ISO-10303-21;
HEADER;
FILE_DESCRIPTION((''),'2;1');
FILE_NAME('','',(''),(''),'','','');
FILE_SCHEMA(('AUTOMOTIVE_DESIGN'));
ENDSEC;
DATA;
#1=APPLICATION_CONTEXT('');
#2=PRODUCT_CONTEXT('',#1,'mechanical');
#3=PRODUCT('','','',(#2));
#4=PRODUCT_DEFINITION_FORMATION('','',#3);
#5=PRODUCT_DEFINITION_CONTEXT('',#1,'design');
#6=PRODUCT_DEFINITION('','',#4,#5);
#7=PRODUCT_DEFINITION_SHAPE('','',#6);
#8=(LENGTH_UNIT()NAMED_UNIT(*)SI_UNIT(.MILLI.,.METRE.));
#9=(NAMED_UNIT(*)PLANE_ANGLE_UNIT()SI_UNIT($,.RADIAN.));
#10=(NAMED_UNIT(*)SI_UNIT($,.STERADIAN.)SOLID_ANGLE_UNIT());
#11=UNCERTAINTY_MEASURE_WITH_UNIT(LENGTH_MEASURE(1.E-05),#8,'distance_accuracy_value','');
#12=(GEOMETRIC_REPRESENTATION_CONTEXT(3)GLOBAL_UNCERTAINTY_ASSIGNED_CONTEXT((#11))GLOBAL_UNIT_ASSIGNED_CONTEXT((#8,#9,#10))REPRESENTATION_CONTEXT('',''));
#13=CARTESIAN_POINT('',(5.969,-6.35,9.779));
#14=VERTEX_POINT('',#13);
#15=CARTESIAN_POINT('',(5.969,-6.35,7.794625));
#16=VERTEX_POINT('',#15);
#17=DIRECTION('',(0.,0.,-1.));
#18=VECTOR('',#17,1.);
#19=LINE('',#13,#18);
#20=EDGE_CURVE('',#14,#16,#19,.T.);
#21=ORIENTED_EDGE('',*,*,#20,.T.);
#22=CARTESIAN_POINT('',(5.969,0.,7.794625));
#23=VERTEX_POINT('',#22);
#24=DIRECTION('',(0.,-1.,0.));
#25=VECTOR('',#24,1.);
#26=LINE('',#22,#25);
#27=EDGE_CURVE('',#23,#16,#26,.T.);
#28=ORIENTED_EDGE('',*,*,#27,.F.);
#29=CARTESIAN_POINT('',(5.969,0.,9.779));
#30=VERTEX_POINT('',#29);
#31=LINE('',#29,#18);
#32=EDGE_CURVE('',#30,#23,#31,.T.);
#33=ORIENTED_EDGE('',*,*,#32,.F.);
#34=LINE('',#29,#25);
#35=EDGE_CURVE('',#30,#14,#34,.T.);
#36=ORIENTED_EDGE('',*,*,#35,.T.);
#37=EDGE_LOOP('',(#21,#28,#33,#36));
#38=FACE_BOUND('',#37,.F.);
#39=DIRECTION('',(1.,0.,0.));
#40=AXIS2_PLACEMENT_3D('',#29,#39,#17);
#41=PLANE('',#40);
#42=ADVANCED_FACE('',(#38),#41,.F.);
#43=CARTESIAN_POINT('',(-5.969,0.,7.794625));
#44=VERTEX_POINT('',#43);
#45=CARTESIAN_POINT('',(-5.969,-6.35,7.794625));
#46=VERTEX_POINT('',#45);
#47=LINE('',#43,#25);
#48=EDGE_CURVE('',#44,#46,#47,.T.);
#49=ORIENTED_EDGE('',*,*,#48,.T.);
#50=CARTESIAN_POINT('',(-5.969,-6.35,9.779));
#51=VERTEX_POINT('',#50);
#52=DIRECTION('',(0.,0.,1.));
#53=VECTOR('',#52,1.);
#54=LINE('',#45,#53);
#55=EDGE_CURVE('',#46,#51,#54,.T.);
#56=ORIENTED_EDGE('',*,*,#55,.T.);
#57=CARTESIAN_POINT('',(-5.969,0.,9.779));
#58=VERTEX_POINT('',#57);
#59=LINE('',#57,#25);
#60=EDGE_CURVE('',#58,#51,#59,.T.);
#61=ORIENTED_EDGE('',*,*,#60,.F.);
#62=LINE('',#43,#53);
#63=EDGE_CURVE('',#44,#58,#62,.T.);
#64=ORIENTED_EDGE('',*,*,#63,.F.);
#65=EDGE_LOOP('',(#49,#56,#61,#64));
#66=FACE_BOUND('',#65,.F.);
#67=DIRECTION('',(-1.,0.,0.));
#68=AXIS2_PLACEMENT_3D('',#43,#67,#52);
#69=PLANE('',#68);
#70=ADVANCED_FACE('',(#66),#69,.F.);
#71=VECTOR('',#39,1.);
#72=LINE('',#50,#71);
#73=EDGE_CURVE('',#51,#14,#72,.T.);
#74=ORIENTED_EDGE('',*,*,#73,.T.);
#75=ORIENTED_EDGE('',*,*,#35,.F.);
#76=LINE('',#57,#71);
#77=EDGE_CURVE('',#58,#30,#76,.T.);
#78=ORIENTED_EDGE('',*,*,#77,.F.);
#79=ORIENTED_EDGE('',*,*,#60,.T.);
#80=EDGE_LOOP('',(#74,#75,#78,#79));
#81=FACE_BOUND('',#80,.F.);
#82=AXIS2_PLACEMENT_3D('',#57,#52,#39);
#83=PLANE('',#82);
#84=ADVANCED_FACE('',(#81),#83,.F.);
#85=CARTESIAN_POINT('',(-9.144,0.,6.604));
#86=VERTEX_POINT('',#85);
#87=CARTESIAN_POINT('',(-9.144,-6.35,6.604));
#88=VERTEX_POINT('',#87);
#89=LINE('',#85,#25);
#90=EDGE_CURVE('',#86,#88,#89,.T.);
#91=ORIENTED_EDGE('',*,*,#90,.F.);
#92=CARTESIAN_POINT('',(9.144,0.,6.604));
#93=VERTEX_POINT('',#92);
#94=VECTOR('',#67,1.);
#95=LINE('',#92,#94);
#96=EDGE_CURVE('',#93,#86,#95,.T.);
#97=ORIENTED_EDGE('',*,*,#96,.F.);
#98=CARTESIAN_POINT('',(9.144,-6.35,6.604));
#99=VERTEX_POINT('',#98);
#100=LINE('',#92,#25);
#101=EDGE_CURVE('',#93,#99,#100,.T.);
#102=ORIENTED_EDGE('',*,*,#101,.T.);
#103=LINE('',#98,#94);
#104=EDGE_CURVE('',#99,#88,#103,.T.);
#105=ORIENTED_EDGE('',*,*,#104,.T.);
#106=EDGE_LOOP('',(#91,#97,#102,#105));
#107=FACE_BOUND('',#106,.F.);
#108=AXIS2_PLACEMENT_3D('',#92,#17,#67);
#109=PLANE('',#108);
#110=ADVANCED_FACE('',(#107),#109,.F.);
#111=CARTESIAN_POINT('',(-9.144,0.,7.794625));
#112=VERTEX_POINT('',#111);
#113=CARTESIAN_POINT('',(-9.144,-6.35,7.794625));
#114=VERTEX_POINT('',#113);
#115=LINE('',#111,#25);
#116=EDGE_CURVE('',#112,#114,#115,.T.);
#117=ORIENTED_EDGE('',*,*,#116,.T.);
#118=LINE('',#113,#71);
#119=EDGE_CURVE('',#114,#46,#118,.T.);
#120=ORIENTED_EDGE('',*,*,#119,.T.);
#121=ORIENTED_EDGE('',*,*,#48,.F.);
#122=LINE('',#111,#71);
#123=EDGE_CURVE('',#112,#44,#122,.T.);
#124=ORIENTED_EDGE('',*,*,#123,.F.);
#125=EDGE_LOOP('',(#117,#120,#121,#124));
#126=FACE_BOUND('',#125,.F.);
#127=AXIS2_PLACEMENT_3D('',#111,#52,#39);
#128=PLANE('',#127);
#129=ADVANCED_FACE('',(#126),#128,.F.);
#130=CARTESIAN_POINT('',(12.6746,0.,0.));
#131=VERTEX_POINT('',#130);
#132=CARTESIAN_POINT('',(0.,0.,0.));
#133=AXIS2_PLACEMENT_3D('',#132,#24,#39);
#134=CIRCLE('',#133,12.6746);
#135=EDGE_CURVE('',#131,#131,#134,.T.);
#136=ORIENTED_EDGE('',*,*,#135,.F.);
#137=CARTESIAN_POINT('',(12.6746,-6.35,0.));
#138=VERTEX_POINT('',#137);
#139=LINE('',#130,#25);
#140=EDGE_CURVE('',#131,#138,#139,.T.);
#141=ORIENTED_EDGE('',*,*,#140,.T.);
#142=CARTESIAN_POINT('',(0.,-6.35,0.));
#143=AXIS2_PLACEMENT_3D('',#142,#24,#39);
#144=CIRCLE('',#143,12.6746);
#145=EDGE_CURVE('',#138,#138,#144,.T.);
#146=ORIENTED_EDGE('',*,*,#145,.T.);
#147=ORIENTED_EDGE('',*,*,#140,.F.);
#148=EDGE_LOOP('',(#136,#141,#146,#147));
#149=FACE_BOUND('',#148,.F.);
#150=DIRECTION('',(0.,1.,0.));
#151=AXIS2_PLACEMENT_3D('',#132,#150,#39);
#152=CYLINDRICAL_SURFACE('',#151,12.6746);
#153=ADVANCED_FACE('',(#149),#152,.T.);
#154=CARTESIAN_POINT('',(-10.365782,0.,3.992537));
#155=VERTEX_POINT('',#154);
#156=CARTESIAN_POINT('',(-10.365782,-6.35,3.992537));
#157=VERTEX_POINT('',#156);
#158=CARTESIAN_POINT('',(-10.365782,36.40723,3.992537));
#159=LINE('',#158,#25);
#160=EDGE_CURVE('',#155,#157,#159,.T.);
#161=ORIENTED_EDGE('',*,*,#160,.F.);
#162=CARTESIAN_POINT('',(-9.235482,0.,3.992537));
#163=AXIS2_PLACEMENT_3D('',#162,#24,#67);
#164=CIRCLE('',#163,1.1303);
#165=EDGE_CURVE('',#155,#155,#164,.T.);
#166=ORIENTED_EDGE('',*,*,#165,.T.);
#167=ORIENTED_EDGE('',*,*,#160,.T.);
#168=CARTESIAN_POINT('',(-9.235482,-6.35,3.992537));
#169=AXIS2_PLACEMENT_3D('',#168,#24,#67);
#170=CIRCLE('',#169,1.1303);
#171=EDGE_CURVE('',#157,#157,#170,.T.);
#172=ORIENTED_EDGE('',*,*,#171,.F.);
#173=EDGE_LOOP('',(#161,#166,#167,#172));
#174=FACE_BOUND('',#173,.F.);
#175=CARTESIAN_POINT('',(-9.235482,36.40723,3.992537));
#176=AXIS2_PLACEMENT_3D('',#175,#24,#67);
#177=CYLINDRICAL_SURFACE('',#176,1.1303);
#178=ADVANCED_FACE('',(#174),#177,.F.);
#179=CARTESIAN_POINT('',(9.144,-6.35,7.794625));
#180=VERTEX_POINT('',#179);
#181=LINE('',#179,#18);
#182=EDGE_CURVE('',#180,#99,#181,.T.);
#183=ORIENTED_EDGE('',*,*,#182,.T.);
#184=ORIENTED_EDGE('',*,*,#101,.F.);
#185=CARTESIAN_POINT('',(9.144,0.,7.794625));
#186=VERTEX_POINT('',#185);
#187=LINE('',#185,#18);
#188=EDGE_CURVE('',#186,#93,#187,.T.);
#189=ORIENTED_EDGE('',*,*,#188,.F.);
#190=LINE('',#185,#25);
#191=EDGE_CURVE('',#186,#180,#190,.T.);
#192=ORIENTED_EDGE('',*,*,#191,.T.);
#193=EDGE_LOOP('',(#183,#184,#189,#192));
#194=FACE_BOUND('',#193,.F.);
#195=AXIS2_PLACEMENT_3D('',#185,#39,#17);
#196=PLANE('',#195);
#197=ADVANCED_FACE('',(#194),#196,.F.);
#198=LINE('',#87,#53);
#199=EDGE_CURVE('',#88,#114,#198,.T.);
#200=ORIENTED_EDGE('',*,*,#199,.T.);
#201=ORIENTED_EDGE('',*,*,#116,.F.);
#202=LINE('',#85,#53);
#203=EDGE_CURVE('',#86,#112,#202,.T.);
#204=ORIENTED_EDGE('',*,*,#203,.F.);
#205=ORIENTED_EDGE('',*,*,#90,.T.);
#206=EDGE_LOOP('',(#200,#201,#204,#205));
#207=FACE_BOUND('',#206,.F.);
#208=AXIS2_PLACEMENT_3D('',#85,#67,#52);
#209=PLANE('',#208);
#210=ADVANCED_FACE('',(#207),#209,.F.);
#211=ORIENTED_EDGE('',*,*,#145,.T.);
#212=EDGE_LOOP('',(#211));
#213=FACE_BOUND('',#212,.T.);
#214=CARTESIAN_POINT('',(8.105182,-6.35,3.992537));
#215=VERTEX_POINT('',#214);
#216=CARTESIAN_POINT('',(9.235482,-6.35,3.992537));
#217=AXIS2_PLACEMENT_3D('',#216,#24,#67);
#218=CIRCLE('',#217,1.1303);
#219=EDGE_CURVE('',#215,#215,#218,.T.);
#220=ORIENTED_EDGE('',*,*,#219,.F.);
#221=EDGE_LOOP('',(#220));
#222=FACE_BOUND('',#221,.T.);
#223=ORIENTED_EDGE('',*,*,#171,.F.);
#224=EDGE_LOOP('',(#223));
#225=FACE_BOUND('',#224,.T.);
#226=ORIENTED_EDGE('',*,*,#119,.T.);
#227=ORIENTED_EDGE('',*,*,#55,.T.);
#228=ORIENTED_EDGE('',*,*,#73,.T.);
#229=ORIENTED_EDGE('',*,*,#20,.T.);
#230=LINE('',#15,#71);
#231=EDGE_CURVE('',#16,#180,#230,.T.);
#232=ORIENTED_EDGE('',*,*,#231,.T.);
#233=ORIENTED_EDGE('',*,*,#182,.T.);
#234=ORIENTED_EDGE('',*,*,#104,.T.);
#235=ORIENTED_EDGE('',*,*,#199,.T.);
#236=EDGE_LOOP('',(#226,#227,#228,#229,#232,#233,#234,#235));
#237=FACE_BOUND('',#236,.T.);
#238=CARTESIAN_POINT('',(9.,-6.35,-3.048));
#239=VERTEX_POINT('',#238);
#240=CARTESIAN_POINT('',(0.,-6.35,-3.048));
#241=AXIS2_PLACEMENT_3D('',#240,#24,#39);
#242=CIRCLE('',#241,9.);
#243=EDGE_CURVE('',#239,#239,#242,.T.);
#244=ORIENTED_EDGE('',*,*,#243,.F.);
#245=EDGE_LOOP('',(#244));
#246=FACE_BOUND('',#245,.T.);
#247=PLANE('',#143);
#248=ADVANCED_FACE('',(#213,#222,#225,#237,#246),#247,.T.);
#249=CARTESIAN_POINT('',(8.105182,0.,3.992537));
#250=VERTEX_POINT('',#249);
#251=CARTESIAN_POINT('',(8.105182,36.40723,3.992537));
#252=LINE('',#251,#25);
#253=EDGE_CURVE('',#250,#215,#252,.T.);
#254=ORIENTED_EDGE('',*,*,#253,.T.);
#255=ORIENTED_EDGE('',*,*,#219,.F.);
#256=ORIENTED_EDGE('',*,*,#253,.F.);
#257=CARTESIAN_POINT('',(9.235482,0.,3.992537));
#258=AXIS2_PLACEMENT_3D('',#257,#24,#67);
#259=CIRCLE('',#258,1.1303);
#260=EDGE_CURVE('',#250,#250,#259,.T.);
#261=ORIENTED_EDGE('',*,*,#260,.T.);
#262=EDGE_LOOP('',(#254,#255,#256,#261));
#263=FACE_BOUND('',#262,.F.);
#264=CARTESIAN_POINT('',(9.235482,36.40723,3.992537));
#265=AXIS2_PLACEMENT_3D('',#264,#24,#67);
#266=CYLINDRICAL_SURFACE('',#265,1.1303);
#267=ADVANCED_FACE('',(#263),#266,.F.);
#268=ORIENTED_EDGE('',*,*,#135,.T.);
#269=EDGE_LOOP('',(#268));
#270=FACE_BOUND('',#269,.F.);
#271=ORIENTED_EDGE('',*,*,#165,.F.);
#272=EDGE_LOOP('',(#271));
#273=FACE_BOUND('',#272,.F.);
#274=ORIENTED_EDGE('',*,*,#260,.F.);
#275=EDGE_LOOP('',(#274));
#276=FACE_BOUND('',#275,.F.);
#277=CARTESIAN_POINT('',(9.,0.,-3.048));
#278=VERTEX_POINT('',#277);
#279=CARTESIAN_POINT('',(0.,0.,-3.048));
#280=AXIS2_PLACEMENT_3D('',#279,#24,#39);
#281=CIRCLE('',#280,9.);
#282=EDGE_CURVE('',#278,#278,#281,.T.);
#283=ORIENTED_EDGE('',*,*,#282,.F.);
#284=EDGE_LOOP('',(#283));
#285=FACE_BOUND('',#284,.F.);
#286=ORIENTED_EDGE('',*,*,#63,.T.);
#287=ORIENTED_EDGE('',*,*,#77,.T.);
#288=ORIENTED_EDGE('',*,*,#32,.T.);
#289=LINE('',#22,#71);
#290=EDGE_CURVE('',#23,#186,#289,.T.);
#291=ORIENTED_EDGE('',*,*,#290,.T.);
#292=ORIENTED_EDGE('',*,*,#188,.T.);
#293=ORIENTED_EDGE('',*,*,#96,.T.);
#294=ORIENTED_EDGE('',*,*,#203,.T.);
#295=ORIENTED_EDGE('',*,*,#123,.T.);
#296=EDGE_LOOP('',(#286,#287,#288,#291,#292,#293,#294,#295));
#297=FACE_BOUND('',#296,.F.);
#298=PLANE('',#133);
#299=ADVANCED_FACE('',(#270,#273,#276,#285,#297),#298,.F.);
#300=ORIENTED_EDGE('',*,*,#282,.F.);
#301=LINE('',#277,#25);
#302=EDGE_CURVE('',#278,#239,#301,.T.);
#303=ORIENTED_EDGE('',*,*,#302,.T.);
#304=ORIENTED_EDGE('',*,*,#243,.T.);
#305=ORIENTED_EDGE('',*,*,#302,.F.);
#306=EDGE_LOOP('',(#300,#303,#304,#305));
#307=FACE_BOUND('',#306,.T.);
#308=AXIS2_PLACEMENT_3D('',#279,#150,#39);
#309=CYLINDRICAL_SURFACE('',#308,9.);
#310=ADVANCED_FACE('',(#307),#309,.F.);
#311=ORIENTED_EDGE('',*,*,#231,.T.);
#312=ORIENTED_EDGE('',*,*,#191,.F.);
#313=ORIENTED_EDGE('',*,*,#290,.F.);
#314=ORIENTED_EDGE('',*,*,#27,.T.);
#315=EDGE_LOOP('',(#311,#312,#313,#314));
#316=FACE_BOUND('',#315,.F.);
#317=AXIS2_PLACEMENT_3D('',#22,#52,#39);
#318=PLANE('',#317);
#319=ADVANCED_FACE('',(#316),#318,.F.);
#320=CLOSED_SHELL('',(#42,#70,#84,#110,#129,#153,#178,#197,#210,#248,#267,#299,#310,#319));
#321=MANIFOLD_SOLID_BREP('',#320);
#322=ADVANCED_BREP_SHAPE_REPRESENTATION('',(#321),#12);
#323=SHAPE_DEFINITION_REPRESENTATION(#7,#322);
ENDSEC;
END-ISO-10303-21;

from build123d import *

# Parameters (mm, degrees)
F0_R     = 12.6746
F0_R_2   = 9
F1_DEPTH = 6.35
F2_D     = 2.2606


with BuildPart() as f1:
    # F0 (on Front) → F1 (new body)
    with BuildSketch(Plane.XZ):
        Circle(F0_R)
        with Locations((0, -3.048)):
            Circle(F0_R_2, mode=Mode.SUBTRACT)
        Polygon((9.144, 6.604), (-9.144, 6.604), (-9.144, 7.794625), (-5.969, 7.794625), (-5.969, 9.779), (0, 9.779), (5.969, 9.779), (5.969, 7.794625), (9.144, 7.794625), align=None, mode=Mode.SUBTRACT)
    extrude(amount=F1_DEPTH)

    # F2 (through all)
    with Locations(Plane(origin=(0, 0, 0), x_dir=(1, 0, 0), z_dir=(0, 1, 0))):
        with Locations((9.2354822209, -3.9925365306), (-9.2354822209, -3.9925365306)):
            Hole(F2_D / 2)


solid = f1.part
